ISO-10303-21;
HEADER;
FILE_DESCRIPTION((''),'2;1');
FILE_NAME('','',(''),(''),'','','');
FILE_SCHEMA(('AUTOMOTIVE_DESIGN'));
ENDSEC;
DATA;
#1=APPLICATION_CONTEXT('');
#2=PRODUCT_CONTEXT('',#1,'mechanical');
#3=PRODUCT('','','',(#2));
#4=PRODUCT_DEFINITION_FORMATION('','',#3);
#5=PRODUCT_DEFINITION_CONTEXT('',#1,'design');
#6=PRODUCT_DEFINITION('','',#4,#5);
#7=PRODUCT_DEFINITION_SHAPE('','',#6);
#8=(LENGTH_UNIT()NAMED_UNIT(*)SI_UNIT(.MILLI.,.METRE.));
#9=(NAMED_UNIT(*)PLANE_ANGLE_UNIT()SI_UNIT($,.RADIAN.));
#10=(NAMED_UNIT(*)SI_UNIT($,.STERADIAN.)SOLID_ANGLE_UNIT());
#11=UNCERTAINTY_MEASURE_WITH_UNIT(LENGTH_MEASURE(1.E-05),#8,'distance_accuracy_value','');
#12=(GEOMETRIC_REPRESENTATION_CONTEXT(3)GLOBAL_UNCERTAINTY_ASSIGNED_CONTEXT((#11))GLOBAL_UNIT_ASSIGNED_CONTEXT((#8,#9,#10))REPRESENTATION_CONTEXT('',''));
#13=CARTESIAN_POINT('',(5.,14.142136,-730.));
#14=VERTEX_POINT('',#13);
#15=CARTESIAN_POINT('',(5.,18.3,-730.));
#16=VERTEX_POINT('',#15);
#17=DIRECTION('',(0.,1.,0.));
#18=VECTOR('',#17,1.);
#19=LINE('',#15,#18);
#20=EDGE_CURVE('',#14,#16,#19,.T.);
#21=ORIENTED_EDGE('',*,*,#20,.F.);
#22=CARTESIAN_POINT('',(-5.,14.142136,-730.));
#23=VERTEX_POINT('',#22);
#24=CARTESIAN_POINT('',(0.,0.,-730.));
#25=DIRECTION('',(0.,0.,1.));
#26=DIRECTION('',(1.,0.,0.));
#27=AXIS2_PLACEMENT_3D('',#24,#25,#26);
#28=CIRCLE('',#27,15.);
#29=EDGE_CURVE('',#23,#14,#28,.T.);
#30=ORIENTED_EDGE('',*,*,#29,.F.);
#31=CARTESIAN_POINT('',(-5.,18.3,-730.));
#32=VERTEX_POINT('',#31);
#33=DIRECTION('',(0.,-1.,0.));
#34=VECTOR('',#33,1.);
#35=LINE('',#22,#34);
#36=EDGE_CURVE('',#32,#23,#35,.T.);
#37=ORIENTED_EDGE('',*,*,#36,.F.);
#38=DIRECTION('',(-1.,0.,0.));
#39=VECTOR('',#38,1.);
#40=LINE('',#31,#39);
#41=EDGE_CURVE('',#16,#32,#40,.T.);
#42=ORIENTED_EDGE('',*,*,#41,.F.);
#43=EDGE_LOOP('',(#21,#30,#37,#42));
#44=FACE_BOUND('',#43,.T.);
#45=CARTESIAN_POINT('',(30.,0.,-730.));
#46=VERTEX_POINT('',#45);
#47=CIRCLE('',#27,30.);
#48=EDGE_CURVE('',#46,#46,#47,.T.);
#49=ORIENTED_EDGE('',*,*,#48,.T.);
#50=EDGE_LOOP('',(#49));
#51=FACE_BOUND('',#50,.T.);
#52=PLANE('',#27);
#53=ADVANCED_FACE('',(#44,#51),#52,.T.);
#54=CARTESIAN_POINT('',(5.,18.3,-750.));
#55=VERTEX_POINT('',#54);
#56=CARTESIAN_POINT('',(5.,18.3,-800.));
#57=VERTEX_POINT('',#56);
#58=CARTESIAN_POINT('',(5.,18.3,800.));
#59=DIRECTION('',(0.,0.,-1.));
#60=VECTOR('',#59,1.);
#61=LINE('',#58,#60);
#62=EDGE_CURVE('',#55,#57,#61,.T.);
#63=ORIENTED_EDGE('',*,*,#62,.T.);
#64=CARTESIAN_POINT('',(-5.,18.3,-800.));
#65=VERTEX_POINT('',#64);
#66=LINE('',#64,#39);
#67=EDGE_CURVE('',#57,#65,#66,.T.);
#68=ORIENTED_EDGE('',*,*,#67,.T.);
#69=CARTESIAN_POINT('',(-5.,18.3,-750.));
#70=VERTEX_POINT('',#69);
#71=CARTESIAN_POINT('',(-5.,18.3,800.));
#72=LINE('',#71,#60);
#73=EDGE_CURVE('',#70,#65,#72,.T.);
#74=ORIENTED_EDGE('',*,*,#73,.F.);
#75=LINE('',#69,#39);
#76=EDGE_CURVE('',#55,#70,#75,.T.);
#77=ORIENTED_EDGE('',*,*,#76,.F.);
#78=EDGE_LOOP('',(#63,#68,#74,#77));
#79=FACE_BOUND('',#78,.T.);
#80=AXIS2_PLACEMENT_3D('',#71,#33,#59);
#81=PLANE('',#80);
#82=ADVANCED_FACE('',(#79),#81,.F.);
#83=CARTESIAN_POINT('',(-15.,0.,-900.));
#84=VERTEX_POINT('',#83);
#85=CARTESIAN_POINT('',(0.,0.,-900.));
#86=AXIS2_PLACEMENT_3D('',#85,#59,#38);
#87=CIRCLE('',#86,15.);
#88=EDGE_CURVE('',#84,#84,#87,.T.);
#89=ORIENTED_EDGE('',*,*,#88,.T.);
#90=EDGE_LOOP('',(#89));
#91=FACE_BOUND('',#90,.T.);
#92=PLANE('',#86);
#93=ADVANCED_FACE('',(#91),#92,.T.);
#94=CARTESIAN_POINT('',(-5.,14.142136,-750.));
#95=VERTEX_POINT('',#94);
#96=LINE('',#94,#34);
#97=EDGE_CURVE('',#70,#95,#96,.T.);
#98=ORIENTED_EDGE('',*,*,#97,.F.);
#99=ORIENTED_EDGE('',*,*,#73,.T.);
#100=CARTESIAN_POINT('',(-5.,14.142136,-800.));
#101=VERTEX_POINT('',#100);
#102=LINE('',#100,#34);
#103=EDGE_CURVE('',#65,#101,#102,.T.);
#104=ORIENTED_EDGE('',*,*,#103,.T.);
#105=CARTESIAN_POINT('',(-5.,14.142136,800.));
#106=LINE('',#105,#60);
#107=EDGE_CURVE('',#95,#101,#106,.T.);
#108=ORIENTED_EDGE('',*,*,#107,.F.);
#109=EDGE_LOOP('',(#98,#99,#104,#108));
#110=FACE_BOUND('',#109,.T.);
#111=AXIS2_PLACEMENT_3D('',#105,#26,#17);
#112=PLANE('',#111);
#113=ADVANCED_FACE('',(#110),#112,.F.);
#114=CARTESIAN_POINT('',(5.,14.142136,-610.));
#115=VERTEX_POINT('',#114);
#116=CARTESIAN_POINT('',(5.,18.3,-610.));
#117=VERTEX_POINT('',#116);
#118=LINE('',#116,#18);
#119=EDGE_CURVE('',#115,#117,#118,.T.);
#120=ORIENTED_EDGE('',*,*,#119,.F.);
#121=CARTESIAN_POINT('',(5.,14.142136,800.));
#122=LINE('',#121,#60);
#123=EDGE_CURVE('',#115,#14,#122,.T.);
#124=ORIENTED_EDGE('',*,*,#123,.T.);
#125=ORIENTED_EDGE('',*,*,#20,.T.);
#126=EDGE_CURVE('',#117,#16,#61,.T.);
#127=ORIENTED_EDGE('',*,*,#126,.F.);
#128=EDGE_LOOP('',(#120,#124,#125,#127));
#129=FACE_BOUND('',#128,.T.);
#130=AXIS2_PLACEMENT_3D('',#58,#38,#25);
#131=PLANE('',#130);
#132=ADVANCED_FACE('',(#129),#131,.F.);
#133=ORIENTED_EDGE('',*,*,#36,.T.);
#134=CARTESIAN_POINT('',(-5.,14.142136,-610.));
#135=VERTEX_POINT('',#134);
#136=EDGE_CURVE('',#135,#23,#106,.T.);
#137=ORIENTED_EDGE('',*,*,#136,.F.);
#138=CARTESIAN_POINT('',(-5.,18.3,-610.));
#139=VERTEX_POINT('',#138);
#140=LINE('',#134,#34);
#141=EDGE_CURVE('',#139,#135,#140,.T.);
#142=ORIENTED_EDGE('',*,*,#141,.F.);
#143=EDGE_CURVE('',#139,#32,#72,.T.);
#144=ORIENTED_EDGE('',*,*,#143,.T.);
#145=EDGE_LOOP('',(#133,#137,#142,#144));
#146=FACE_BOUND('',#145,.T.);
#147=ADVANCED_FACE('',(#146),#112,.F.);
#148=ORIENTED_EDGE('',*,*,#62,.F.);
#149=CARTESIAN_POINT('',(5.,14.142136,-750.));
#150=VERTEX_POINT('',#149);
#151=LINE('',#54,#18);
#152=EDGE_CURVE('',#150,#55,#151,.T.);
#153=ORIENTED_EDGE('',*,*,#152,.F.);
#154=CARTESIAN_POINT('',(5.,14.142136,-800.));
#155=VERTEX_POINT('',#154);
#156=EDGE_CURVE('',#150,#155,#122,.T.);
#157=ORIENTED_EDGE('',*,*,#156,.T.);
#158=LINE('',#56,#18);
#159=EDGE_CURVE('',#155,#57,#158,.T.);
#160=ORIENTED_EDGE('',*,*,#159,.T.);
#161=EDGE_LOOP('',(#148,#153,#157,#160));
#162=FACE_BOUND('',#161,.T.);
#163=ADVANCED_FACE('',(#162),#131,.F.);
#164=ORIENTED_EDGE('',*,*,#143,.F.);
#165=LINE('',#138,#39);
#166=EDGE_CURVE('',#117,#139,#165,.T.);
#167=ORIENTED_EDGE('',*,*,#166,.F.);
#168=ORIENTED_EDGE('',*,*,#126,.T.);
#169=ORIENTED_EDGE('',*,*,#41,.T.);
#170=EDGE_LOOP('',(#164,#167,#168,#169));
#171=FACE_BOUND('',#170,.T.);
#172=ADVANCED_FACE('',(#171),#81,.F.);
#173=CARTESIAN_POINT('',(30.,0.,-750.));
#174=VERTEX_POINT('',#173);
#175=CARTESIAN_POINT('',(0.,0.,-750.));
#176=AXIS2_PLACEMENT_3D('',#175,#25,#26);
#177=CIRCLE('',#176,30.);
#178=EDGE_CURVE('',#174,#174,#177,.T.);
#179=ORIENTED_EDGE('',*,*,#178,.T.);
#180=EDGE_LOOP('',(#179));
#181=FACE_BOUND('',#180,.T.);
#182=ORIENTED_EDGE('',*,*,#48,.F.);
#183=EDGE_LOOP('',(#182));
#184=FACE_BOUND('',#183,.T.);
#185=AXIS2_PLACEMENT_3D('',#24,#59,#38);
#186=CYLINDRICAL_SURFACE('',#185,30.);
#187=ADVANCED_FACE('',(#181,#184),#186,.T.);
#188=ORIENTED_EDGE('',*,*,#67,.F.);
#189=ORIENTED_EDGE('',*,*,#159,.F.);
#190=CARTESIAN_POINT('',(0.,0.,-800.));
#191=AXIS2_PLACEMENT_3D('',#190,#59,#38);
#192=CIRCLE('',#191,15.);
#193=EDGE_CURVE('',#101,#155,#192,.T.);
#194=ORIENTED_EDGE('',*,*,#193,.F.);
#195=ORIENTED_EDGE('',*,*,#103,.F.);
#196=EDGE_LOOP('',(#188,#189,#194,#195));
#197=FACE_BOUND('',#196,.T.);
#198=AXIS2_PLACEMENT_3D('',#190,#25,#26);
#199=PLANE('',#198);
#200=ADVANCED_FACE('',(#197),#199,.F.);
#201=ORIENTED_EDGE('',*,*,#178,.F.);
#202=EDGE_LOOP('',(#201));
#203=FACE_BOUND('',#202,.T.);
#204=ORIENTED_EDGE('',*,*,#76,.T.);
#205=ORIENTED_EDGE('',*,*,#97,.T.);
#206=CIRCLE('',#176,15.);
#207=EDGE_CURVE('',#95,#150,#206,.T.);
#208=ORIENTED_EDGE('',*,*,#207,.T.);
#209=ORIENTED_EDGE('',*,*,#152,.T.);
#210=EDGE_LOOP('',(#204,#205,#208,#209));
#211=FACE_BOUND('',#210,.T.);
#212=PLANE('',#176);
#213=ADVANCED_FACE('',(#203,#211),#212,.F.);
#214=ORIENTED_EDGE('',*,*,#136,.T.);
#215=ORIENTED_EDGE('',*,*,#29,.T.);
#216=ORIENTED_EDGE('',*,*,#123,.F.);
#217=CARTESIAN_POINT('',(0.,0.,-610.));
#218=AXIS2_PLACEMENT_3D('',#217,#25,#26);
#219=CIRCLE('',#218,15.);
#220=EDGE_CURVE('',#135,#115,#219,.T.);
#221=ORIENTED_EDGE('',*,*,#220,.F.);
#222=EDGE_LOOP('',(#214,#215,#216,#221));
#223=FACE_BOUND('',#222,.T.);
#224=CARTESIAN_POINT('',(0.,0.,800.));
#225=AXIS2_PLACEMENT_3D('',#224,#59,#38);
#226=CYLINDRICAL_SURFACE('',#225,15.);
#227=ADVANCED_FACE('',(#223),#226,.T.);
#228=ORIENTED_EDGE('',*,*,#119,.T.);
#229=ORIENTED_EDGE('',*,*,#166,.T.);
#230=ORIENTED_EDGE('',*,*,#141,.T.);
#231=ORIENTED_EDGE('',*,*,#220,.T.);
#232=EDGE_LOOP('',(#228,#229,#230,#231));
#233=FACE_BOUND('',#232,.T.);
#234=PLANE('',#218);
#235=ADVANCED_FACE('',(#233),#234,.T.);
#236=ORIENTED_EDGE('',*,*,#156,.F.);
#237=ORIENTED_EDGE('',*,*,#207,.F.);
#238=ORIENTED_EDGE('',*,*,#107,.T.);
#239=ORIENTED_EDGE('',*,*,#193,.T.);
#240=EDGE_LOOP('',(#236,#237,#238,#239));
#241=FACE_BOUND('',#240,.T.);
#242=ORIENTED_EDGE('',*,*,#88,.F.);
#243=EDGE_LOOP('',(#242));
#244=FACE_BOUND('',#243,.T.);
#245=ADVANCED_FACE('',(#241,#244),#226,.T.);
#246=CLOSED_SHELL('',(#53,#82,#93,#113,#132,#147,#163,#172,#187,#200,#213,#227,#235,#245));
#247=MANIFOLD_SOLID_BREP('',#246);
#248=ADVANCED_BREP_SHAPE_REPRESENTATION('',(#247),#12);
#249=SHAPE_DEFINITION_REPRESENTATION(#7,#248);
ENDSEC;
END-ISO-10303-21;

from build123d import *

# Parameters (mm, degrees)
BOSS_EXTRUDE1_DEPTH = 800
SKETCH3_R           = 30
BOSS_EXTRUDE3_DEPTH = 20
SKETCH4_R           = 30
CUT_EXTRUDE1_DEPTH  = 1391.647331281
SKETCH5_R           = 15
BOSS_EXTRUDE4_DEPTH = 100
SKETCH6_R           = 30
CUT_EXTRUDE2_DEPTH  = 20
BOSS_EXTRUDE5_START = -140
SKETCH7_R           = 30
BOSS_EXTRUDE5_DEPTH = 20


with BuildPart() as part:
    # Sketch1 → Boss-Extrude1 (new, symmetric)
    with BuildSketch(Plane.XY):
        with BuildLine():
            Line((-5, 14.142135624), (-5, 18.3))
            Line((-5, 18.3), (5, 18.3))
            Line((5, 18.3), (5, 14.142135624))
            ThreePointArc((5, 14.142135624), (0, -15), (-5, 14.142135624))
        make_face()
    extrude(amount=BOSS_EXTRUDE1_DEPTH, both=True)

    # Sketch3 → Boss-Extrude3 (add)
    with BuildSketch(Plane(origin=(0, 0, 590), x_dir=(-1, 0, 0), z_dir=(0, 0, -1))):
        Circle(SKETCH3_R)
    boss_extrude3 = extrude(amount=-BOSS_EXTRUDE3_DEPTH)

    # Mirror2: Boss-Extrude3 across plane
    add(boss_extrude3.mirror(Plane.XY))

    # Sketch4 → Cut-Extrude1 (cut, through all)
    with BuildSketch(Plane.XY.offset(-590)):
        with Locations(Location((0, 0, 0), (0, 0, 180))):
            Circle(SKETCH4_R)
    extrude(amount=CUT_EXTRUDE1_DEPTH, mode=Mode.SUBTRACT)

    # Sketch5 → Boss-Extrude4 (add)
    with BuildSketch(Plane(origin=(0, 0, -800), x_dir=(-1, 0, 0), z_dir=(0, 0, -1))):
        Circle(SKETCH5_R)
    extrude(amount=BOSS_EXTRUDE4_DEPTH)

    # Sketch6 → Cut-Extrude2 (cut)
    with BuildSketch(Plane.XY.offset(-590)):
        Circle(SKETCH6_R)
    extrude(amount=-CUT_EXTRUDE2_DEPTH, mode=Mode.SUBTRACT)

    # Sketch7 → Boss-Extrude5 (add)
    with BuildSketch(Plane.XY.offset(-610).offset(BOSS_EXTRUDE5_START)):
        Circle(SKETCH7_R)
    extrude(amount=BOSS_EXTRUDE5_DEPTH)


solid = part.part
